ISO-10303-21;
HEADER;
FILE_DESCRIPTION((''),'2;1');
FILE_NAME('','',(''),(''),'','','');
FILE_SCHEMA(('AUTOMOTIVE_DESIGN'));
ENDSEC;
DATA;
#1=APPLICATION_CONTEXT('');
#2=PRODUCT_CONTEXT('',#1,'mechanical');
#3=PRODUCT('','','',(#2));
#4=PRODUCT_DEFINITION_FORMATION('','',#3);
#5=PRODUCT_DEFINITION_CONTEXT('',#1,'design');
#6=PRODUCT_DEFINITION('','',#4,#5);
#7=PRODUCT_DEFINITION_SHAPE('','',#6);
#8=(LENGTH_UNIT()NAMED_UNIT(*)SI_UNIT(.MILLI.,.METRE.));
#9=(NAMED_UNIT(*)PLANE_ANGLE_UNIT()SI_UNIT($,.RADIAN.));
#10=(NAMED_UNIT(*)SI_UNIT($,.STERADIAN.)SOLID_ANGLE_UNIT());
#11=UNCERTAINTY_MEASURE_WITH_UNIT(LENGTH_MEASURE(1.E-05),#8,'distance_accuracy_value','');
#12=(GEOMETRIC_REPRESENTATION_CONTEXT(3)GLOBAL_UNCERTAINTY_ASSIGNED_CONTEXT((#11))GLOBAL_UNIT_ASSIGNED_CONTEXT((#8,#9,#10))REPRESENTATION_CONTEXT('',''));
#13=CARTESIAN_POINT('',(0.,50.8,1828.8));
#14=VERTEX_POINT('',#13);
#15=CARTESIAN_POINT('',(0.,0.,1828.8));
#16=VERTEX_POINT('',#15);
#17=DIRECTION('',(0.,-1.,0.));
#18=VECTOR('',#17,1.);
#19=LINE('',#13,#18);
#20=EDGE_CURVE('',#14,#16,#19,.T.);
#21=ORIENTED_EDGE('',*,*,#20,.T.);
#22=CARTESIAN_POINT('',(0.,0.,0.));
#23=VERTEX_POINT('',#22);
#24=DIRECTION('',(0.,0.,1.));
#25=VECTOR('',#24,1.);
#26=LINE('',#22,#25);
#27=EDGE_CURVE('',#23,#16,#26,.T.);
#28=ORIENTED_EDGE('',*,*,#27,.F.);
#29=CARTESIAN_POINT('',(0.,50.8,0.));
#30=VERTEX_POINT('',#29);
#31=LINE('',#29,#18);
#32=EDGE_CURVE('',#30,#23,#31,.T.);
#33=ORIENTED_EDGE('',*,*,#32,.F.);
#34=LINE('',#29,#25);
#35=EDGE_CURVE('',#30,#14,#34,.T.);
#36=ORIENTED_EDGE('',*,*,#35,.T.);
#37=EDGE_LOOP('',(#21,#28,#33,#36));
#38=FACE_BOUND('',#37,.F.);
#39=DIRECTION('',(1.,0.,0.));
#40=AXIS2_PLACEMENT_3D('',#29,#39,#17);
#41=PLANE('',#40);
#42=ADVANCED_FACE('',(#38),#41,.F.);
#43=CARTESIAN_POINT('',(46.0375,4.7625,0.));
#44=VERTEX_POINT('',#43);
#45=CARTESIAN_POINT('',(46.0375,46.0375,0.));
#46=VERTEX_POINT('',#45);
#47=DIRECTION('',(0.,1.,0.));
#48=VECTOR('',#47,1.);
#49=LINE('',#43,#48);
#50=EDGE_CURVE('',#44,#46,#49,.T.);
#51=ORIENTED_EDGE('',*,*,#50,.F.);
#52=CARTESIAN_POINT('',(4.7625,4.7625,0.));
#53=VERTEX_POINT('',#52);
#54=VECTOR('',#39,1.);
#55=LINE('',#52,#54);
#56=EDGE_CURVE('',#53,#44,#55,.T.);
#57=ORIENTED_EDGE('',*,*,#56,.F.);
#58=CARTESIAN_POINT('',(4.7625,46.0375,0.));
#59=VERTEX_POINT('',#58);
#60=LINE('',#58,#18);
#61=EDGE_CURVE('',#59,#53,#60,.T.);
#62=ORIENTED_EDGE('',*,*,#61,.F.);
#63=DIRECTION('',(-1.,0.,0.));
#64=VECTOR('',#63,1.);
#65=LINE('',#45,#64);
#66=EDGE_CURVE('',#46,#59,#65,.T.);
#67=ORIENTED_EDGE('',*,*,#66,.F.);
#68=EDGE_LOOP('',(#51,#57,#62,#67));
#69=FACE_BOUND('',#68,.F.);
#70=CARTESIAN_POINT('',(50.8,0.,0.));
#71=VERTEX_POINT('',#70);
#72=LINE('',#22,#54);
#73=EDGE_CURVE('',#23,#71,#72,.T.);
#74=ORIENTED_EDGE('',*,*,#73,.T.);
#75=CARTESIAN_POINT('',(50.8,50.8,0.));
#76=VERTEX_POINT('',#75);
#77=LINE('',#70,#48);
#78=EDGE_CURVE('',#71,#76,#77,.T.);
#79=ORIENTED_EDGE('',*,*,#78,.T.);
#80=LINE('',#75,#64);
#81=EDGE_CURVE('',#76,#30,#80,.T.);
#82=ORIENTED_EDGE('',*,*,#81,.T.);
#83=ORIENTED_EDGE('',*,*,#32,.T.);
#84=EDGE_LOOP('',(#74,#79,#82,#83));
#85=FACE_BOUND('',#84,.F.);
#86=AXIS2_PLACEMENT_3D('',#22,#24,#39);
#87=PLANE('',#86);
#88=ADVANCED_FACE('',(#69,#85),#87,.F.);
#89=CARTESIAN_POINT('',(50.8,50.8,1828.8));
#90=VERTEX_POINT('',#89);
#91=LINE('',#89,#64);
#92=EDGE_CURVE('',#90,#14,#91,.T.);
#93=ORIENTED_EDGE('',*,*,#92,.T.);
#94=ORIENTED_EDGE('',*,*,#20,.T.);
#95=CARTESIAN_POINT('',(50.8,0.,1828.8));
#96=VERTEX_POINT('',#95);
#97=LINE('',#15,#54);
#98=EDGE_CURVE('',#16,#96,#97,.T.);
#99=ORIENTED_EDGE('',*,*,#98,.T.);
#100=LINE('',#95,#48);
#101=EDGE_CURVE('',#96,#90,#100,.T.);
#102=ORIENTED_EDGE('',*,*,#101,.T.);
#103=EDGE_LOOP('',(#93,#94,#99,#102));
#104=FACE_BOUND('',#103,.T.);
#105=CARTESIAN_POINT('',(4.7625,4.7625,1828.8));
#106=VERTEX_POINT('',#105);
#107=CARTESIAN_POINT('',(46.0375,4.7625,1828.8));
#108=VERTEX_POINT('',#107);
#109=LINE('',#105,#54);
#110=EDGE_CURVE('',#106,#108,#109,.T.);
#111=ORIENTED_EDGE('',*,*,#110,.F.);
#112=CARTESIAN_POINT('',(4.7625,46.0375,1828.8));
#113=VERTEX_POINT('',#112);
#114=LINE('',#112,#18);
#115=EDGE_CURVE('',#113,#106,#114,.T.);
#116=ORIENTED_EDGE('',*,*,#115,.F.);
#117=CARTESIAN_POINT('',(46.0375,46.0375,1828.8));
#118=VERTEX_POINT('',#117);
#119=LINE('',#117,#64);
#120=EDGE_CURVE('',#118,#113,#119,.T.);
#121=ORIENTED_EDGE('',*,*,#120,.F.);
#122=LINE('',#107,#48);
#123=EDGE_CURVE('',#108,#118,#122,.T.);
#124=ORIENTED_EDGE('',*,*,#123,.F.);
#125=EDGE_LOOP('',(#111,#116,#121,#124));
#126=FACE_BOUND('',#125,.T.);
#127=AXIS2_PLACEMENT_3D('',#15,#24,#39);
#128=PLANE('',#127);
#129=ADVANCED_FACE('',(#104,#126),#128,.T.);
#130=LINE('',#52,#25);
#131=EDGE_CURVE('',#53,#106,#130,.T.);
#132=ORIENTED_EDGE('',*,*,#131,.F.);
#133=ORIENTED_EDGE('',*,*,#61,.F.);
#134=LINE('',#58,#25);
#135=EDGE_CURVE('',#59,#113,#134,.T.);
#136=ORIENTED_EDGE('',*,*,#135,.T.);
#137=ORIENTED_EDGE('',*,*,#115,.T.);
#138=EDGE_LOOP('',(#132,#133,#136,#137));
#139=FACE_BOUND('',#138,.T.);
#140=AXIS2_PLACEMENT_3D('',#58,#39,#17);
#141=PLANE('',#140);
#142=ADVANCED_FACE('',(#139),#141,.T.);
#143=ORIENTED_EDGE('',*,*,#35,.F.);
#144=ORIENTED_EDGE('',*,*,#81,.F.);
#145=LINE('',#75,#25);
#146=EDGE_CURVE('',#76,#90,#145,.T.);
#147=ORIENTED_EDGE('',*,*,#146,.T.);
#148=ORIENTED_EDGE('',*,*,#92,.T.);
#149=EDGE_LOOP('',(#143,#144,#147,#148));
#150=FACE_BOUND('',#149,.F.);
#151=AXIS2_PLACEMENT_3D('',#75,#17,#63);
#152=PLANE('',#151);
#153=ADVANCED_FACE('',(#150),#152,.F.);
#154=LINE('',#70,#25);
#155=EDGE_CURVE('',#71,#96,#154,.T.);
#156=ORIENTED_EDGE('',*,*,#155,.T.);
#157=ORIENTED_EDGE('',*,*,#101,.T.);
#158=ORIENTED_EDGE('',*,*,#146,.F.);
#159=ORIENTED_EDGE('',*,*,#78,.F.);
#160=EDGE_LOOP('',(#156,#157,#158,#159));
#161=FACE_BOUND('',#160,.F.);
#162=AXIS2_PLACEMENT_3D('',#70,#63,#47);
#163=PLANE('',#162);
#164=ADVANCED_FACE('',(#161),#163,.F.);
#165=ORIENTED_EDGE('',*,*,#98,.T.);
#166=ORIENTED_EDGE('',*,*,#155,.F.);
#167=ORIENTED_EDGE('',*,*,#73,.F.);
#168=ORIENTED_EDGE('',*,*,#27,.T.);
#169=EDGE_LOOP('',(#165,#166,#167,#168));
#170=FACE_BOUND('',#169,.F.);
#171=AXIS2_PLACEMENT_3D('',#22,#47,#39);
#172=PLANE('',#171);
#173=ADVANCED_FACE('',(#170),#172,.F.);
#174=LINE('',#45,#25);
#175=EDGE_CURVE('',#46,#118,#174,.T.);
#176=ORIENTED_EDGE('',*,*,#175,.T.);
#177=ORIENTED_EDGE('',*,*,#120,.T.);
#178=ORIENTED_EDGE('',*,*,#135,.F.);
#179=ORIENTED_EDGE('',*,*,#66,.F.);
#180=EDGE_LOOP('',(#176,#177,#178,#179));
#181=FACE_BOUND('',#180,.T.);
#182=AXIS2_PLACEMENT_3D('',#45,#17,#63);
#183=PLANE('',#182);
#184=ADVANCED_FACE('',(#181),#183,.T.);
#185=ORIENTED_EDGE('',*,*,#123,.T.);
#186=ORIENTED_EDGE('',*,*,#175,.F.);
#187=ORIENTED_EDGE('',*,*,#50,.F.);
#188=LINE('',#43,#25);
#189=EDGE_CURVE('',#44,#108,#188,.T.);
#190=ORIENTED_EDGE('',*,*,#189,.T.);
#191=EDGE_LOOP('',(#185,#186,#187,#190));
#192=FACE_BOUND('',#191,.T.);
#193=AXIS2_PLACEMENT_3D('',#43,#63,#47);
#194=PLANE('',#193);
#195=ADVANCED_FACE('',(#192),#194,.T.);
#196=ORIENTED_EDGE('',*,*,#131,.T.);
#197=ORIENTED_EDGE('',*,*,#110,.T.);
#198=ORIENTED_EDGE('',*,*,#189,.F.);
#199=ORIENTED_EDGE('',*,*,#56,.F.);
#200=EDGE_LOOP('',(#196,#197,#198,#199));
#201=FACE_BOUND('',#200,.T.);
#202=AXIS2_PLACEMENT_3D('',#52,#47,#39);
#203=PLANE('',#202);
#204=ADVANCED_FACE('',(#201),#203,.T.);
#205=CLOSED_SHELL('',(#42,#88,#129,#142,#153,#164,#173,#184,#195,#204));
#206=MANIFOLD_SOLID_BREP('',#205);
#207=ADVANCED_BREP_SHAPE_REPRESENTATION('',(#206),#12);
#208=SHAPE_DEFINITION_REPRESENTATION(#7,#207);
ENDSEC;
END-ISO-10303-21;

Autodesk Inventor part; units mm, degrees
ref_plane "YZ Plane" through (0, 0, 0) normal (1, 0, 0) x (0, 1, 0)
ref_plane "XZ Plane" through (0, 0, 0) normal (0, 1, 0) x (-1, 0, 0)
ref_plane "XY Plane" through (0, 0, 0) normal (0, 0, 1) x (1, 0, 0)
sketch "Sketch1" plane through (0, 0, 0) normal (0, 0, 1) x (1, 0, 0)
  line L0 (0, 0) -> (50.8, 0)
  line L1 (50.8, 0) -> (50.8, 50.8)
  line L2 (50.8, 50.8) -> (0, 50.8)
  line L3 (0, 50.8) -> (0, 0)
  line L4 (0, 0) -> (4.7625, 0) construction
  line L5 (4.7625, 0) -> (4.7625, 4.7625) construction
  line L6 (4.7625, 4.7625) -> (0, 4.7625) construction
  line L7 (0, 4.7625) -> (0, 0) construction
  line L8 (50.8, 50.8) -> (46.0375, 50.8) construction
  line L9 (46.0375, 50.8) -> (46.0375, 46.0375) construction
  line L10 (46.0375, 46.0375) -> (50.8, 46.0375) construction
  line L11 (50.8, 46.0375) -> (50.8, 50.8) construction
  line L12 (46.0375, 46.0375) -> (4.7625, 46.0375)
  line L13 (4.7625, 46.0375) -> (4.7625, 4.7625)
  line L14 (4.7625, 4.7625) -> (46.0375, 4.7625)
  line L15 (46.0375, 4.7625) -> (46.0375, 46.0375)
  dimension "d0" = 50.8
  dimension "d1" = 50.8
  dimension "d2" = 4.7625
  dimension "d3" = 4.7625
  dimension "d4" = 4.7625
  dimension "d5" = 4.7625
extrude "Extrusion1" add sketch "Sketch1" along normal blind 1828.8
equation "\"d0\" = d1"
equation "\"d2\" = d3"
equation "\"d4\" = d3"
equation "\"d5\" = d3"
properties part number "72in2.0Sq" material "Steel, Mild"
